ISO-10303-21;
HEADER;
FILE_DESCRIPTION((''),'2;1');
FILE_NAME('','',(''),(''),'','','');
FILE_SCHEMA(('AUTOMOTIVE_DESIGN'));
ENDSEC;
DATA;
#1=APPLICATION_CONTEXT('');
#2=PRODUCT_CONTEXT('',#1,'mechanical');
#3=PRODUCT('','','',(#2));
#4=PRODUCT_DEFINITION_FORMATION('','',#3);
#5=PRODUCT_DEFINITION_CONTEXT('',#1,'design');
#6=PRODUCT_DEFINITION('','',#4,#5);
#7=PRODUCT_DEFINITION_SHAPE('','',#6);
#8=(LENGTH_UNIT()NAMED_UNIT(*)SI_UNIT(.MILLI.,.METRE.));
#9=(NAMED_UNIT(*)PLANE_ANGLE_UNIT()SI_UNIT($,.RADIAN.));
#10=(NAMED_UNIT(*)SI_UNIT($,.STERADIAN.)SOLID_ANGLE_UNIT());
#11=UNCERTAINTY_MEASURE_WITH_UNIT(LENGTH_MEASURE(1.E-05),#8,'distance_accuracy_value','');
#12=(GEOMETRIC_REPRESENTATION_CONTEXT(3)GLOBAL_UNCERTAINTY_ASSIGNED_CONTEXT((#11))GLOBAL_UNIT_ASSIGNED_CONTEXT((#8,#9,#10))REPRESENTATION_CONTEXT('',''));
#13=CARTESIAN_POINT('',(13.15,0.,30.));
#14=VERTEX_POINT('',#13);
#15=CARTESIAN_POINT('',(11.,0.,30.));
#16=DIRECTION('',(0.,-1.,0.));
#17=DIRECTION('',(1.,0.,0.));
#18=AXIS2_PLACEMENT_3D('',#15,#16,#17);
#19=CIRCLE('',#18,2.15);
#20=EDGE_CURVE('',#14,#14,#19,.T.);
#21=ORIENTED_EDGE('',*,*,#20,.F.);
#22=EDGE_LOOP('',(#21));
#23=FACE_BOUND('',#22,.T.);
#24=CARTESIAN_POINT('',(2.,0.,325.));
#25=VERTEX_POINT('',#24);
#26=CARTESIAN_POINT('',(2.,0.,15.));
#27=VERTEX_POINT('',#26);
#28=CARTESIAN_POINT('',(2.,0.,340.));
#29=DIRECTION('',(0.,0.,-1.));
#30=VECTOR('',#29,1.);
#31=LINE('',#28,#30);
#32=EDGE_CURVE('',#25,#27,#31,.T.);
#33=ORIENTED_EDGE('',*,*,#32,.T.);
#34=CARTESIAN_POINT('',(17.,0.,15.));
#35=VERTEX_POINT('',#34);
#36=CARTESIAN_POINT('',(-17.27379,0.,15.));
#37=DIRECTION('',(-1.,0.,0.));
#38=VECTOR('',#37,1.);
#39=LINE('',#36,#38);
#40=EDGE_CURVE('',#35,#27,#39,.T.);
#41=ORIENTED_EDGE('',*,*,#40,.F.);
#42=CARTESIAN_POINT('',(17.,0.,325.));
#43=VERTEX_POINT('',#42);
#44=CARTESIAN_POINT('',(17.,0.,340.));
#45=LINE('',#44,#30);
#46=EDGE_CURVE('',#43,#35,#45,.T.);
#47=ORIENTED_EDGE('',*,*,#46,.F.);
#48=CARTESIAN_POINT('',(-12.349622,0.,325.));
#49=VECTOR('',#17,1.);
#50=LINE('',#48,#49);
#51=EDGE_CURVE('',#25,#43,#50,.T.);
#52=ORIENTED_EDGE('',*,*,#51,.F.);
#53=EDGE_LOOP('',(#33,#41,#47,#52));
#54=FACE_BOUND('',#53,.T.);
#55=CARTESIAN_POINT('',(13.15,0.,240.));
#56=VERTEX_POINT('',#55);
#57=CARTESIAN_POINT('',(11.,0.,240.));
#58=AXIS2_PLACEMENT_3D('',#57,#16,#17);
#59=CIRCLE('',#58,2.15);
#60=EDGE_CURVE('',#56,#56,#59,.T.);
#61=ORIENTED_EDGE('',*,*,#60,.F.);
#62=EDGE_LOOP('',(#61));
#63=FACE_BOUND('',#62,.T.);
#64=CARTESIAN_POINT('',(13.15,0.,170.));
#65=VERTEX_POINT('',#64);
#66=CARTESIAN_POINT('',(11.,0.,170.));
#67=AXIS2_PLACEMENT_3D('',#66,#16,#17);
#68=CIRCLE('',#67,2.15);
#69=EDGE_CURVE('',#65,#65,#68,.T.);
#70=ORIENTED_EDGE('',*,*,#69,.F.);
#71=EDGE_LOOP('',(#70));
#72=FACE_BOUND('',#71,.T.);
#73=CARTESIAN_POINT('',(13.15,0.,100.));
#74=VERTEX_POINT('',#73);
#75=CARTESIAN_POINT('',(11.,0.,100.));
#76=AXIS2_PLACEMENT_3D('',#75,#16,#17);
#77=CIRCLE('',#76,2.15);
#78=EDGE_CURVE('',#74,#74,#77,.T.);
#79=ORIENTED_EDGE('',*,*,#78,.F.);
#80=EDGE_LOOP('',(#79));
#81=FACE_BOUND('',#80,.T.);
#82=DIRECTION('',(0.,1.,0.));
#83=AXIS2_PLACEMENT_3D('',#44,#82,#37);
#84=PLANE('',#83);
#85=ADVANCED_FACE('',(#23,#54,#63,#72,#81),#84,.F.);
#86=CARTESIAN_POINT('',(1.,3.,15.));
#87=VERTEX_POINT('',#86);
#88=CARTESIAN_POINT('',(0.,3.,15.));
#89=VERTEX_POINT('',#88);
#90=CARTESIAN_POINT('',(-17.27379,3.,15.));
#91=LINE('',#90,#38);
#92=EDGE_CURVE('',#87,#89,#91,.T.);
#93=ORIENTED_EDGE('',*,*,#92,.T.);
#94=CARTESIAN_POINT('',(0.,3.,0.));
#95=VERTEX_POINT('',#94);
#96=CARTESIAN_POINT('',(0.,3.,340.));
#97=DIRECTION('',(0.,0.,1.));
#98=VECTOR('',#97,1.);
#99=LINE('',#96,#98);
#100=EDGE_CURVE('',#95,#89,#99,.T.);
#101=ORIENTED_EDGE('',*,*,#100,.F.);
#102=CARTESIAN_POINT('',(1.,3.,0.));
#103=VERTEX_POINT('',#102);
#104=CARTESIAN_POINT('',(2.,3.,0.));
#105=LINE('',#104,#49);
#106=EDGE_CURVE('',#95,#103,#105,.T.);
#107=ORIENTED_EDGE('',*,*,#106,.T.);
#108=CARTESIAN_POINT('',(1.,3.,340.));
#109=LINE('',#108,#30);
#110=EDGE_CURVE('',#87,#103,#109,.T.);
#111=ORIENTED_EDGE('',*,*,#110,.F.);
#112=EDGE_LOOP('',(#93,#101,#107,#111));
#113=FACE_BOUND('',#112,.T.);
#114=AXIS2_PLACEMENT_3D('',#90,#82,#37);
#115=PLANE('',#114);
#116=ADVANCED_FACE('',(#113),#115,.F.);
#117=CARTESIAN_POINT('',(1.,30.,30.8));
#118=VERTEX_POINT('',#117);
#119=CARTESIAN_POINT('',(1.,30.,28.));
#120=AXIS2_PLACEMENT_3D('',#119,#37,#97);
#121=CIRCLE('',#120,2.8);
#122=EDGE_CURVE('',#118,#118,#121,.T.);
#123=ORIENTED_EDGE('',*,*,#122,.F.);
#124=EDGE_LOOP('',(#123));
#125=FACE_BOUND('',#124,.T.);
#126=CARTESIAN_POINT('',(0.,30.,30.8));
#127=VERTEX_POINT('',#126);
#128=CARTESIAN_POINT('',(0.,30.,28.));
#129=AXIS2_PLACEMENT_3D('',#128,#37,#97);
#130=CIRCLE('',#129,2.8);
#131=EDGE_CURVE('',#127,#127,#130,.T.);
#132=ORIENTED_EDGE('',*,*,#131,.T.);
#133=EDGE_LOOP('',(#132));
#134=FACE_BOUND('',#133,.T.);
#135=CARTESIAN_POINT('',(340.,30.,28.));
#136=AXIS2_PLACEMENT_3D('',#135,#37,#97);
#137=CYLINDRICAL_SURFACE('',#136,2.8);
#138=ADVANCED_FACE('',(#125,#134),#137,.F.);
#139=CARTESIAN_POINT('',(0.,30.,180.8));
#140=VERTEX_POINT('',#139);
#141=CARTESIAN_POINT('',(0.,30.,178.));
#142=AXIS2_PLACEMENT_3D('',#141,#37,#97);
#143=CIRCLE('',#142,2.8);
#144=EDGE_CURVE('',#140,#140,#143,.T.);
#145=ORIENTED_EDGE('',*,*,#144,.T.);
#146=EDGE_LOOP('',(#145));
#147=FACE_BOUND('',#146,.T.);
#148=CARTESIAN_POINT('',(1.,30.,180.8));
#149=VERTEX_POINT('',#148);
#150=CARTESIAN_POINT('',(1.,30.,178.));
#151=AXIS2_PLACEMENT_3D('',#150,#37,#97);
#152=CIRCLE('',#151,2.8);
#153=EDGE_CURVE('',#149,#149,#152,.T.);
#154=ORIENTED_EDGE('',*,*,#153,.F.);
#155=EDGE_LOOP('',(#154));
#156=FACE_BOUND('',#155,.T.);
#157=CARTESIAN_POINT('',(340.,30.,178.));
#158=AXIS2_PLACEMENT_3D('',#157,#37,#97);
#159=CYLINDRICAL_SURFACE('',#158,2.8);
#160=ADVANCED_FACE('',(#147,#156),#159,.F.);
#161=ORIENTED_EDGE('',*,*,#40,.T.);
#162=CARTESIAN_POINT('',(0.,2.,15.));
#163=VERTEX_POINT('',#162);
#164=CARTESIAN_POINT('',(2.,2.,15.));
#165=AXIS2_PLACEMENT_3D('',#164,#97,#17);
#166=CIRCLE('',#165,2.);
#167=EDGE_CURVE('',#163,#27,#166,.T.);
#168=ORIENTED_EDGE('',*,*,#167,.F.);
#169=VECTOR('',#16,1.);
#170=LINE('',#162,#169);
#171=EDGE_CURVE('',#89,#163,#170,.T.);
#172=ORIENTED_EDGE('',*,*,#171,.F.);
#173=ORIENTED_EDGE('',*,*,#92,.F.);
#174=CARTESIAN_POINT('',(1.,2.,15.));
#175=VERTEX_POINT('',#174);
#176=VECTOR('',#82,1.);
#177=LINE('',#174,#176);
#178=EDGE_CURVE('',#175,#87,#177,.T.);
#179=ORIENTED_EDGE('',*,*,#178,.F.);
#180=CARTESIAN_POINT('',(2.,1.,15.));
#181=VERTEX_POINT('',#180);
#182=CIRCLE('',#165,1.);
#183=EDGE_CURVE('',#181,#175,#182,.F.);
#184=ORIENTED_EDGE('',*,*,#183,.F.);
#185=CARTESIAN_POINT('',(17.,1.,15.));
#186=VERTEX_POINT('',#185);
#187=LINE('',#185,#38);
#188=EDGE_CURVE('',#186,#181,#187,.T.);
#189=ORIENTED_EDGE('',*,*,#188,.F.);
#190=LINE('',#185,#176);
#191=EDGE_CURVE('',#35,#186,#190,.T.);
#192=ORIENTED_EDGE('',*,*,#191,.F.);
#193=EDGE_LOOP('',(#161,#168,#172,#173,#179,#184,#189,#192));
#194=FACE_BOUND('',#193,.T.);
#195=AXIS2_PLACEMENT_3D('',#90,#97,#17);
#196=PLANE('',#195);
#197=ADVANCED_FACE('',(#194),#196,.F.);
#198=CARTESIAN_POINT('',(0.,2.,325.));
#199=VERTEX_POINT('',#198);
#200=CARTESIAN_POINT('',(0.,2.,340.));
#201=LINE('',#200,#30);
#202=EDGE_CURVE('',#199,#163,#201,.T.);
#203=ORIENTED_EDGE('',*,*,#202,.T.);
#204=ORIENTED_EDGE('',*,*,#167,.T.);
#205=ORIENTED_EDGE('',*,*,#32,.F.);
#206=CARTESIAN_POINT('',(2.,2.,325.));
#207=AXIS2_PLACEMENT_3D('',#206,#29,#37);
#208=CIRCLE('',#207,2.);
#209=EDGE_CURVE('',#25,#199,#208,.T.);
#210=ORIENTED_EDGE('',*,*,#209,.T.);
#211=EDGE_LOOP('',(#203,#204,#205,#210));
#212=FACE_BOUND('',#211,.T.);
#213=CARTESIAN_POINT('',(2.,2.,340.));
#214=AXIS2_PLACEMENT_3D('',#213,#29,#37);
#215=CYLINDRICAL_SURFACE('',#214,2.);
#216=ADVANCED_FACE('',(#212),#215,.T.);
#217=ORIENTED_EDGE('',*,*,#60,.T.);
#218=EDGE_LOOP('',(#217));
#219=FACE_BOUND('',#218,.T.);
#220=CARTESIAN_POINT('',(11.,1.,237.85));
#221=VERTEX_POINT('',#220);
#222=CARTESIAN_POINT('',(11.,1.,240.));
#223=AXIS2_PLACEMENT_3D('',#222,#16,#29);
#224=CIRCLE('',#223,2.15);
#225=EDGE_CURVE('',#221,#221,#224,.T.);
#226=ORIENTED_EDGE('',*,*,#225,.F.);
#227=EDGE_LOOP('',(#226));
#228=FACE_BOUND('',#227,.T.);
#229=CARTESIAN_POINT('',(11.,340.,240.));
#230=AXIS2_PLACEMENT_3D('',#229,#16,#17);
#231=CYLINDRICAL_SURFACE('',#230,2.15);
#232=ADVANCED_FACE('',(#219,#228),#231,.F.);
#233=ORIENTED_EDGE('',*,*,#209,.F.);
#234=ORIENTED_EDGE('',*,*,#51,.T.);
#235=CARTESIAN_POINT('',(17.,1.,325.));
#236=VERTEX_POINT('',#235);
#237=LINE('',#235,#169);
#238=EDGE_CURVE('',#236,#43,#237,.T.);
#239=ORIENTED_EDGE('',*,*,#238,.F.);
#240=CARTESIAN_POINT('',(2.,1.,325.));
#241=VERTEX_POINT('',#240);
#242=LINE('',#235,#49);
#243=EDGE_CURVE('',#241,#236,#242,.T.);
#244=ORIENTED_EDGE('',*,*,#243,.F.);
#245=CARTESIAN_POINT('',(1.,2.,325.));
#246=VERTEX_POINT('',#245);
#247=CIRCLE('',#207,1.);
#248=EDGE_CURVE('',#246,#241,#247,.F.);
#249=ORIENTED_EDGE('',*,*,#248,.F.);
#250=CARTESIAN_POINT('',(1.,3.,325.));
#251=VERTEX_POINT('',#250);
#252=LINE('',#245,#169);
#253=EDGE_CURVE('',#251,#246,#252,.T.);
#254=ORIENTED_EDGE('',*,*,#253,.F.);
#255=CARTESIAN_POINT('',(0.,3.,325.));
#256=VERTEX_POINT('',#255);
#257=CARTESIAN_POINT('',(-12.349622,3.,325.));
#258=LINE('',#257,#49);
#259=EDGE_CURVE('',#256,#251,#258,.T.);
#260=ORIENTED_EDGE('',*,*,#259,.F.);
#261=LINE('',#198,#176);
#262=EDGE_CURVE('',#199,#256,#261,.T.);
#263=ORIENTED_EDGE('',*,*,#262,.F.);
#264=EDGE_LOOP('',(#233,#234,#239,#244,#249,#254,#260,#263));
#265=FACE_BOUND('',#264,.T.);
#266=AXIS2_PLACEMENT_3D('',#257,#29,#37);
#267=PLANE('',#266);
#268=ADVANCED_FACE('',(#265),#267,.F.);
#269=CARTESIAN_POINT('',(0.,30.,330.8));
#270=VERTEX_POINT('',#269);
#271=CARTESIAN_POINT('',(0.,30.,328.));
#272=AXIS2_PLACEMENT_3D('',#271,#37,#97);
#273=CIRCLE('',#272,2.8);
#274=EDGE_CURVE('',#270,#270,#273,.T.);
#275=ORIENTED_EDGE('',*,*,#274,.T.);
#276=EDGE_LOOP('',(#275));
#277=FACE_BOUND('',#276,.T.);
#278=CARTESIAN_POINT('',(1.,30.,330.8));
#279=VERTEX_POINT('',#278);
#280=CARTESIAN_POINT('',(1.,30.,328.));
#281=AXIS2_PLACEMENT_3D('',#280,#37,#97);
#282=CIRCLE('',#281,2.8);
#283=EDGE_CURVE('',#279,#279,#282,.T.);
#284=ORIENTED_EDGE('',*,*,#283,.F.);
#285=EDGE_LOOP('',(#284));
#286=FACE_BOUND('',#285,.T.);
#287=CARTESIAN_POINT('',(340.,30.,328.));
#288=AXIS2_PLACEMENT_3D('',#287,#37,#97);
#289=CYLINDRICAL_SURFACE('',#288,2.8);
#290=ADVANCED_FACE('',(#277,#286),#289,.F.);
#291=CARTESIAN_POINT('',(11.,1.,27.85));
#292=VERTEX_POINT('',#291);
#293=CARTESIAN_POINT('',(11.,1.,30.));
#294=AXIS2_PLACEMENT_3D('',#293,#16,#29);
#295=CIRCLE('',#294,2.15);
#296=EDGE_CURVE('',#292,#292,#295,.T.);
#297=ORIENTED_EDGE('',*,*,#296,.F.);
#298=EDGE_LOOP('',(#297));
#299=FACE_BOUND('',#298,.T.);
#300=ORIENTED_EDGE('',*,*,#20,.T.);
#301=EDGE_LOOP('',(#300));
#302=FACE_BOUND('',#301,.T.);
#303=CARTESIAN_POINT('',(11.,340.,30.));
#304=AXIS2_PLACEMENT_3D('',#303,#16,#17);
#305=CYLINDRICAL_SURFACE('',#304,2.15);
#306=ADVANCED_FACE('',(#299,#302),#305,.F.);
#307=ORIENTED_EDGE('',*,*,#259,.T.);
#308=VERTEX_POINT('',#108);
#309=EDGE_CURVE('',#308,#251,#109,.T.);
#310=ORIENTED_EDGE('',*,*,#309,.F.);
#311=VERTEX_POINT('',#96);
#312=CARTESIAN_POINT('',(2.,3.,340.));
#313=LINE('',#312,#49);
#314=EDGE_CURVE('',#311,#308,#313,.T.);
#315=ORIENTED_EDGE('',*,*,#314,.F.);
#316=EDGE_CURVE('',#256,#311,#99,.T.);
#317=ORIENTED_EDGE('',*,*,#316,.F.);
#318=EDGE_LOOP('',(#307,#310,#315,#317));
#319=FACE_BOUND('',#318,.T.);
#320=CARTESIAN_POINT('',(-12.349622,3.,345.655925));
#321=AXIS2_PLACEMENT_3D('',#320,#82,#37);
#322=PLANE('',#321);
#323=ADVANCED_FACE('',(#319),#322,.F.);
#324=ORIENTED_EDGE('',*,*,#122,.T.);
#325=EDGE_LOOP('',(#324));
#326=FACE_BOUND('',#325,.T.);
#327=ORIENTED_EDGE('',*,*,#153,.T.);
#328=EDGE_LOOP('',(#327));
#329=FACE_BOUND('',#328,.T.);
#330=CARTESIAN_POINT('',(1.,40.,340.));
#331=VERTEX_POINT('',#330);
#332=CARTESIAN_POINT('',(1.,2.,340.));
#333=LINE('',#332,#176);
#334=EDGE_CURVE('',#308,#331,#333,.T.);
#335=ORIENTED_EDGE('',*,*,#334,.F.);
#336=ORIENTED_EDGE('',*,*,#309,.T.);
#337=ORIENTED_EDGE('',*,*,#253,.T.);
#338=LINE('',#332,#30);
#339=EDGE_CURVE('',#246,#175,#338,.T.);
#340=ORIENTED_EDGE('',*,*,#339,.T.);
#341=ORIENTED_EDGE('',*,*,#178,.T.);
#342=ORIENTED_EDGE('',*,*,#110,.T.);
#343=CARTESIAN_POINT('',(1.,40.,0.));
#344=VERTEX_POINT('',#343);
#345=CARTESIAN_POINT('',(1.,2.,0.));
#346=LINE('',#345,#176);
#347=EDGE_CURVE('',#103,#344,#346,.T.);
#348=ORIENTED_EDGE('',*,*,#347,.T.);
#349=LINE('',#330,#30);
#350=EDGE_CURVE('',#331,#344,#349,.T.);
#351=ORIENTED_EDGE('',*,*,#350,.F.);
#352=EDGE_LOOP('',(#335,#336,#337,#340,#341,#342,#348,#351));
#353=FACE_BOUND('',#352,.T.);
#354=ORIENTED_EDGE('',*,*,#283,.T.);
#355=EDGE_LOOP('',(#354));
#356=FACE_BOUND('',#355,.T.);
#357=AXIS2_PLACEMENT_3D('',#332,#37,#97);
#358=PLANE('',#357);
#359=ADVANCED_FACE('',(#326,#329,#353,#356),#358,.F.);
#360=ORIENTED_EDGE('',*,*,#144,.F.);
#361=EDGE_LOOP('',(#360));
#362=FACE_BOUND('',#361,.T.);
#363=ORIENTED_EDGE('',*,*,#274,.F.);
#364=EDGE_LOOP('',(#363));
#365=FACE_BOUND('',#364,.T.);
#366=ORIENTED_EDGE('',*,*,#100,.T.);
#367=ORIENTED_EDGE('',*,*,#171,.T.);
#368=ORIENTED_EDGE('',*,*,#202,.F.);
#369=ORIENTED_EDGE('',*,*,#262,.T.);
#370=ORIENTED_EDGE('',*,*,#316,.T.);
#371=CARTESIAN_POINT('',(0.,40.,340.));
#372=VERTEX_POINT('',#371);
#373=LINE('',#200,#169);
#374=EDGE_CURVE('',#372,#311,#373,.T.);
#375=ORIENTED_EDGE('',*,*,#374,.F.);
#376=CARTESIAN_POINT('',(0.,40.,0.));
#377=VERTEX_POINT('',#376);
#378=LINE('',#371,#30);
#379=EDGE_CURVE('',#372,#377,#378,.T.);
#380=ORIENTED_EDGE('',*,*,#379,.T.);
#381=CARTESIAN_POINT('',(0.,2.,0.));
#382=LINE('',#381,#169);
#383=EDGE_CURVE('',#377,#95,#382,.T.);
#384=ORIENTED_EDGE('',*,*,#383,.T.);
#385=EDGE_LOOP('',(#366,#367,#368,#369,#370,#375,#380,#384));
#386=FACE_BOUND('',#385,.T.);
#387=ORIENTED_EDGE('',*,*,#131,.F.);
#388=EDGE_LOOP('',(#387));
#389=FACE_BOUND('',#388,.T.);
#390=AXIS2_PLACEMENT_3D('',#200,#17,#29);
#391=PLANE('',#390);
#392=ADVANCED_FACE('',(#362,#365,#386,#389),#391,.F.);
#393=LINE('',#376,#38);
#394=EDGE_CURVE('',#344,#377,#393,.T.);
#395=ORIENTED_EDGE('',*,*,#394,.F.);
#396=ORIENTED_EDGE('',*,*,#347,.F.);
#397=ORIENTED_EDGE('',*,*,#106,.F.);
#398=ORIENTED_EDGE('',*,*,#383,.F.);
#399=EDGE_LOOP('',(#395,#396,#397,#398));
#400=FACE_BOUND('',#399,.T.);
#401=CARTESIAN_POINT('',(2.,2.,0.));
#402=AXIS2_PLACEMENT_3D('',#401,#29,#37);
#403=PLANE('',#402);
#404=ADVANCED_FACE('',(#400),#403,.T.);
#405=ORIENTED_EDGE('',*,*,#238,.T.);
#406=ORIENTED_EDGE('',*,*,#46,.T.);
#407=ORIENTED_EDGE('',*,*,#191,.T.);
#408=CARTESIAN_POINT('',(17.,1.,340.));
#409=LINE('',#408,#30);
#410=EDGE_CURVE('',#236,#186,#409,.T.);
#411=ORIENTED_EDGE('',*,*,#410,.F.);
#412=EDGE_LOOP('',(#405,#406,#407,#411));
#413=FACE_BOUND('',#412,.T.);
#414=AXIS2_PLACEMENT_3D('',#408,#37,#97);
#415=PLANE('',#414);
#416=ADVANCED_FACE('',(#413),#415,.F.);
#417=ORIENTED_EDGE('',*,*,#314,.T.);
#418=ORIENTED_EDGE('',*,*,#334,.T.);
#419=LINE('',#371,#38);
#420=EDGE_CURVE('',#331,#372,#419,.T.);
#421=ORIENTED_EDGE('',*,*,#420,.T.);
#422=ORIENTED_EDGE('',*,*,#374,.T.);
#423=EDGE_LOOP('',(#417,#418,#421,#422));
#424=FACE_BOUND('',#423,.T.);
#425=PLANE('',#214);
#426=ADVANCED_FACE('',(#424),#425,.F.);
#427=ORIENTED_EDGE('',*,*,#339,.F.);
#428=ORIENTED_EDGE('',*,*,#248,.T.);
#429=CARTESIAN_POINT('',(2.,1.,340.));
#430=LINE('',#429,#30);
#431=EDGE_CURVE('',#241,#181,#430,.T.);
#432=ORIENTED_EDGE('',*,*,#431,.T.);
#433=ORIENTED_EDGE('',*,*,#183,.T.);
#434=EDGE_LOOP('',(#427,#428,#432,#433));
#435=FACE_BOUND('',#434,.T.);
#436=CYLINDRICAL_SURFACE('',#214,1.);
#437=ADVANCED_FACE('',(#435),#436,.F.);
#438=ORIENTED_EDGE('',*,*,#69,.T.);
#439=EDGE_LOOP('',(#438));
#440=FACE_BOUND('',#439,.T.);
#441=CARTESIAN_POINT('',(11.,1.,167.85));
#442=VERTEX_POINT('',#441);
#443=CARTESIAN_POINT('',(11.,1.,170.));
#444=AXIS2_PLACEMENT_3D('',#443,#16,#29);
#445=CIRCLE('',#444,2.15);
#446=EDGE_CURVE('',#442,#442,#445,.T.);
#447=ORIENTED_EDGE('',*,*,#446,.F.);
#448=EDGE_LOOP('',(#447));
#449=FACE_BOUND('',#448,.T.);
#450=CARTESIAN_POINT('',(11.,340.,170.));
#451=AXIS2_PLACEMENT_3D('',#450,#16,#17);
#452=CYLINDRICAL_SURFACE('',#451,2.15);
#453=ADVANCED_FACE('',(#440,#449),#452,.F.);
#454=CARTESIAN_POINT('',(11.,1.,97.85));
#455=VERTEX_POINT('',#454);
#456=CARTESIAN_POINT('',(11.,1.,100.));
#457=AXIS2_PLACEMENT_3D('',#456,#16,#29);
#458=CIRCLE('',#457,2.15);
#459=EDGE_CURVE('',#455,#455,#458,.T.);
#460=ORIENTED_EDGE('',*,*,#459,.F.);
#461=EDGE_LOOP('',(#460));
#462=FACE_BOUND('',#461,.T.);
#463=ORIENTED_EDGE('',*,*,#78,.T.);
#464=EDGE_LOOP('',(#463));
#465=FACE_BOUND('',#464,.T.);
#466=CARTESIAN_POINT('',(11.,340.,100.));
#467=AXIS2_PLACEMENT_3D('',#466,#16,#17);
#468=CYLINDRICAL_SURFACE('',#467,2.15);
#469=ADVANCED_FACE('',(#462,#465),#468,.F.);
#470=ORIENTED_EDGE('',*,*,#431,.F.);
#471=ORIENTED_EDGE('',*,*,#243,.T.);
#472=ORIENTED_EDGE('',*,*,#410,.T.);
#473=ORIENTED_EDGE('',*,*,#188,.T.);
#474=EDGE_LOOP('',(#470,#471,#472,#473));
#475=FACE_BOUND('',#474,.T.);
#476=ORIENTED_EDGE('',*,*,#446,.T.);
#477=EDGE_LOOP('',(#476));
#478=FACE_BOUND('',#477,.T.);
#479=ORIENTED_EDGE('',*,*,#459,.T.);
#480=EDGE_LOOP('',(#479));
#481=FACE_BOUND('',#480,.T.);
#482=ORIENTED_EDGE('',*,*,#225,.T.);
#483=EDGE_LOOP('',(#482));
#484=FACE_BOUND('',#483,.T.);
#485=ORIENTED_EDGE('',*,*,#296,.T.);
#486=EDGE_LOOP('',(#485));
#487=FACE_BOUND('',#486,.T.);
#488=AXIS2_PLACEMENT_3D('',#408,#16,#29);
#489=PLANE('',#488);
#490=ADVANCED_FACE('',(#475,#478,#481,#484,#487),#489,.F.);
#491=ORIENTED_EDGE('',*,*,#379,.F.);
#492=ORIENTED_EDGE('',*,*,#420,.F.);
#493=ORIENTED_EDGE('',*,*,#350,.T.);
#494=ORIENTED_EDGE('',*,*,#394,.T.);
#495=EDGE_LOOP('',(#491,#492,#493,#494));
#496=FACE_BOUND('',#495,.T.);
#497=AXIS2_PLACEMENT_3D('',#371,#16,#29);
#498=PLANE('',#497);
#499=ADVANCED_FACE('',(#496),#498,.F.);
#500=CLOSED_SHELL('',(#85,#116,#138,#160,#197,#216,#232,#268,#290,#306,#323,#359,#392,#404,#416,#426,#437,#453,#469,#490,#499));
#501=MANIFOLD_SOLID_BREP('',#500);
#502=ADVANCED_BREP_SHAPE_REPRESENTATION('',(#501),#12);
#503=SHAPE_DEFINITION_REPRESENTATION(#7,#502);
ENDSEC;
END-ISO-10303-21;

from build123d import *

# Parameters (mm, degrees)
EXTRUDE_1_DEPTH     = 340
SKETCH_2_R          = 2.8
CUT_EXTRUDE_1_DEPTH = 340
SKETCH_3_R          = 2.15
CUT_EXTRUDE_2_DEPTH = 340
SKETCH_4_W          = 37.623292197
SKETCH_4_H          = 20.655925128
SKETCH_4_W_2        = 42.547460075
SKETCH_4_H_2        = 15
CUT_EXTRUDE_3_DEPTH = 3


with BuildPart() as part:
    # Эскиз1 → Вытянуть1 (new body)
    with BuildSketch(Plane.XY):
        with BuildLine():
            Line((17, 0), (2, 0))
            ThreePointArc((2, 0), (0.585786438, 0.585786438), (0, 2))
            Line((0, 2), (0, 40))
            Line((0, 40), (1, 40))
            Line((1, 40), (1, 2))
            ThreePointArc((1, 2), (1.292893219, 1.292893219), (2, 1))
            Line((2, 1), (17, 1))
            Line((17, 1), (17, 0))
        make_face()
    extrude(amount=EXTRUDE_1_DEPTH)

    # Эскиз2 → Вырез-Вытянуть1 (cut)
    with BuildSketch(Plane.ZY):
        with Locations((28, 30)):
            Circle(SKETCH_2_R)
        with Locations((178, 30)):
            Circle(SKETCH_2_R)
        with Locations((328, 30)):
            Circle(SKETCH_2_R)
    extrude(amount=-CUT_EXTRUDE_1_DEPTH, mode=Mode.SUBTRACT)

    # Эскиз3 → Вырез-Вытянуть2 (cut)
    with BuildSketch(Plane.XZ):
        with Locations((11, 30)):
            Circle(SKETCH_3_R)
        with Locations((11, 100)):
            Circle(SKETCH_3_R)
        with Locations((11, 170)):
            Circle(SKETCH_3_R)
        with Locations((11, 240)):
            Circle(SKETCH_3_R)
    extrude(amount=-CUT_EXTRUDE_2_DEPTH, mode=Mode.SUBTRACT)

    # Эскиз4 → Вырез-Вытянуть3 (cut)
    with BuildSketch(Plane.XZ):
        with Locations((6.462024168, 335.327962564)):
            Rectangle(SKETCH_4_W, SKETCH_4_H)
        with Locations((3.999940229, 7.5)):
            Rectangle(SKETCH_4_W_2, SKETCH_4_H_2)
    extrude(amount=-CUT_EXTRUDE_3_DEPTH, mode=Mode.SUBTRACT)


solid = part.part
